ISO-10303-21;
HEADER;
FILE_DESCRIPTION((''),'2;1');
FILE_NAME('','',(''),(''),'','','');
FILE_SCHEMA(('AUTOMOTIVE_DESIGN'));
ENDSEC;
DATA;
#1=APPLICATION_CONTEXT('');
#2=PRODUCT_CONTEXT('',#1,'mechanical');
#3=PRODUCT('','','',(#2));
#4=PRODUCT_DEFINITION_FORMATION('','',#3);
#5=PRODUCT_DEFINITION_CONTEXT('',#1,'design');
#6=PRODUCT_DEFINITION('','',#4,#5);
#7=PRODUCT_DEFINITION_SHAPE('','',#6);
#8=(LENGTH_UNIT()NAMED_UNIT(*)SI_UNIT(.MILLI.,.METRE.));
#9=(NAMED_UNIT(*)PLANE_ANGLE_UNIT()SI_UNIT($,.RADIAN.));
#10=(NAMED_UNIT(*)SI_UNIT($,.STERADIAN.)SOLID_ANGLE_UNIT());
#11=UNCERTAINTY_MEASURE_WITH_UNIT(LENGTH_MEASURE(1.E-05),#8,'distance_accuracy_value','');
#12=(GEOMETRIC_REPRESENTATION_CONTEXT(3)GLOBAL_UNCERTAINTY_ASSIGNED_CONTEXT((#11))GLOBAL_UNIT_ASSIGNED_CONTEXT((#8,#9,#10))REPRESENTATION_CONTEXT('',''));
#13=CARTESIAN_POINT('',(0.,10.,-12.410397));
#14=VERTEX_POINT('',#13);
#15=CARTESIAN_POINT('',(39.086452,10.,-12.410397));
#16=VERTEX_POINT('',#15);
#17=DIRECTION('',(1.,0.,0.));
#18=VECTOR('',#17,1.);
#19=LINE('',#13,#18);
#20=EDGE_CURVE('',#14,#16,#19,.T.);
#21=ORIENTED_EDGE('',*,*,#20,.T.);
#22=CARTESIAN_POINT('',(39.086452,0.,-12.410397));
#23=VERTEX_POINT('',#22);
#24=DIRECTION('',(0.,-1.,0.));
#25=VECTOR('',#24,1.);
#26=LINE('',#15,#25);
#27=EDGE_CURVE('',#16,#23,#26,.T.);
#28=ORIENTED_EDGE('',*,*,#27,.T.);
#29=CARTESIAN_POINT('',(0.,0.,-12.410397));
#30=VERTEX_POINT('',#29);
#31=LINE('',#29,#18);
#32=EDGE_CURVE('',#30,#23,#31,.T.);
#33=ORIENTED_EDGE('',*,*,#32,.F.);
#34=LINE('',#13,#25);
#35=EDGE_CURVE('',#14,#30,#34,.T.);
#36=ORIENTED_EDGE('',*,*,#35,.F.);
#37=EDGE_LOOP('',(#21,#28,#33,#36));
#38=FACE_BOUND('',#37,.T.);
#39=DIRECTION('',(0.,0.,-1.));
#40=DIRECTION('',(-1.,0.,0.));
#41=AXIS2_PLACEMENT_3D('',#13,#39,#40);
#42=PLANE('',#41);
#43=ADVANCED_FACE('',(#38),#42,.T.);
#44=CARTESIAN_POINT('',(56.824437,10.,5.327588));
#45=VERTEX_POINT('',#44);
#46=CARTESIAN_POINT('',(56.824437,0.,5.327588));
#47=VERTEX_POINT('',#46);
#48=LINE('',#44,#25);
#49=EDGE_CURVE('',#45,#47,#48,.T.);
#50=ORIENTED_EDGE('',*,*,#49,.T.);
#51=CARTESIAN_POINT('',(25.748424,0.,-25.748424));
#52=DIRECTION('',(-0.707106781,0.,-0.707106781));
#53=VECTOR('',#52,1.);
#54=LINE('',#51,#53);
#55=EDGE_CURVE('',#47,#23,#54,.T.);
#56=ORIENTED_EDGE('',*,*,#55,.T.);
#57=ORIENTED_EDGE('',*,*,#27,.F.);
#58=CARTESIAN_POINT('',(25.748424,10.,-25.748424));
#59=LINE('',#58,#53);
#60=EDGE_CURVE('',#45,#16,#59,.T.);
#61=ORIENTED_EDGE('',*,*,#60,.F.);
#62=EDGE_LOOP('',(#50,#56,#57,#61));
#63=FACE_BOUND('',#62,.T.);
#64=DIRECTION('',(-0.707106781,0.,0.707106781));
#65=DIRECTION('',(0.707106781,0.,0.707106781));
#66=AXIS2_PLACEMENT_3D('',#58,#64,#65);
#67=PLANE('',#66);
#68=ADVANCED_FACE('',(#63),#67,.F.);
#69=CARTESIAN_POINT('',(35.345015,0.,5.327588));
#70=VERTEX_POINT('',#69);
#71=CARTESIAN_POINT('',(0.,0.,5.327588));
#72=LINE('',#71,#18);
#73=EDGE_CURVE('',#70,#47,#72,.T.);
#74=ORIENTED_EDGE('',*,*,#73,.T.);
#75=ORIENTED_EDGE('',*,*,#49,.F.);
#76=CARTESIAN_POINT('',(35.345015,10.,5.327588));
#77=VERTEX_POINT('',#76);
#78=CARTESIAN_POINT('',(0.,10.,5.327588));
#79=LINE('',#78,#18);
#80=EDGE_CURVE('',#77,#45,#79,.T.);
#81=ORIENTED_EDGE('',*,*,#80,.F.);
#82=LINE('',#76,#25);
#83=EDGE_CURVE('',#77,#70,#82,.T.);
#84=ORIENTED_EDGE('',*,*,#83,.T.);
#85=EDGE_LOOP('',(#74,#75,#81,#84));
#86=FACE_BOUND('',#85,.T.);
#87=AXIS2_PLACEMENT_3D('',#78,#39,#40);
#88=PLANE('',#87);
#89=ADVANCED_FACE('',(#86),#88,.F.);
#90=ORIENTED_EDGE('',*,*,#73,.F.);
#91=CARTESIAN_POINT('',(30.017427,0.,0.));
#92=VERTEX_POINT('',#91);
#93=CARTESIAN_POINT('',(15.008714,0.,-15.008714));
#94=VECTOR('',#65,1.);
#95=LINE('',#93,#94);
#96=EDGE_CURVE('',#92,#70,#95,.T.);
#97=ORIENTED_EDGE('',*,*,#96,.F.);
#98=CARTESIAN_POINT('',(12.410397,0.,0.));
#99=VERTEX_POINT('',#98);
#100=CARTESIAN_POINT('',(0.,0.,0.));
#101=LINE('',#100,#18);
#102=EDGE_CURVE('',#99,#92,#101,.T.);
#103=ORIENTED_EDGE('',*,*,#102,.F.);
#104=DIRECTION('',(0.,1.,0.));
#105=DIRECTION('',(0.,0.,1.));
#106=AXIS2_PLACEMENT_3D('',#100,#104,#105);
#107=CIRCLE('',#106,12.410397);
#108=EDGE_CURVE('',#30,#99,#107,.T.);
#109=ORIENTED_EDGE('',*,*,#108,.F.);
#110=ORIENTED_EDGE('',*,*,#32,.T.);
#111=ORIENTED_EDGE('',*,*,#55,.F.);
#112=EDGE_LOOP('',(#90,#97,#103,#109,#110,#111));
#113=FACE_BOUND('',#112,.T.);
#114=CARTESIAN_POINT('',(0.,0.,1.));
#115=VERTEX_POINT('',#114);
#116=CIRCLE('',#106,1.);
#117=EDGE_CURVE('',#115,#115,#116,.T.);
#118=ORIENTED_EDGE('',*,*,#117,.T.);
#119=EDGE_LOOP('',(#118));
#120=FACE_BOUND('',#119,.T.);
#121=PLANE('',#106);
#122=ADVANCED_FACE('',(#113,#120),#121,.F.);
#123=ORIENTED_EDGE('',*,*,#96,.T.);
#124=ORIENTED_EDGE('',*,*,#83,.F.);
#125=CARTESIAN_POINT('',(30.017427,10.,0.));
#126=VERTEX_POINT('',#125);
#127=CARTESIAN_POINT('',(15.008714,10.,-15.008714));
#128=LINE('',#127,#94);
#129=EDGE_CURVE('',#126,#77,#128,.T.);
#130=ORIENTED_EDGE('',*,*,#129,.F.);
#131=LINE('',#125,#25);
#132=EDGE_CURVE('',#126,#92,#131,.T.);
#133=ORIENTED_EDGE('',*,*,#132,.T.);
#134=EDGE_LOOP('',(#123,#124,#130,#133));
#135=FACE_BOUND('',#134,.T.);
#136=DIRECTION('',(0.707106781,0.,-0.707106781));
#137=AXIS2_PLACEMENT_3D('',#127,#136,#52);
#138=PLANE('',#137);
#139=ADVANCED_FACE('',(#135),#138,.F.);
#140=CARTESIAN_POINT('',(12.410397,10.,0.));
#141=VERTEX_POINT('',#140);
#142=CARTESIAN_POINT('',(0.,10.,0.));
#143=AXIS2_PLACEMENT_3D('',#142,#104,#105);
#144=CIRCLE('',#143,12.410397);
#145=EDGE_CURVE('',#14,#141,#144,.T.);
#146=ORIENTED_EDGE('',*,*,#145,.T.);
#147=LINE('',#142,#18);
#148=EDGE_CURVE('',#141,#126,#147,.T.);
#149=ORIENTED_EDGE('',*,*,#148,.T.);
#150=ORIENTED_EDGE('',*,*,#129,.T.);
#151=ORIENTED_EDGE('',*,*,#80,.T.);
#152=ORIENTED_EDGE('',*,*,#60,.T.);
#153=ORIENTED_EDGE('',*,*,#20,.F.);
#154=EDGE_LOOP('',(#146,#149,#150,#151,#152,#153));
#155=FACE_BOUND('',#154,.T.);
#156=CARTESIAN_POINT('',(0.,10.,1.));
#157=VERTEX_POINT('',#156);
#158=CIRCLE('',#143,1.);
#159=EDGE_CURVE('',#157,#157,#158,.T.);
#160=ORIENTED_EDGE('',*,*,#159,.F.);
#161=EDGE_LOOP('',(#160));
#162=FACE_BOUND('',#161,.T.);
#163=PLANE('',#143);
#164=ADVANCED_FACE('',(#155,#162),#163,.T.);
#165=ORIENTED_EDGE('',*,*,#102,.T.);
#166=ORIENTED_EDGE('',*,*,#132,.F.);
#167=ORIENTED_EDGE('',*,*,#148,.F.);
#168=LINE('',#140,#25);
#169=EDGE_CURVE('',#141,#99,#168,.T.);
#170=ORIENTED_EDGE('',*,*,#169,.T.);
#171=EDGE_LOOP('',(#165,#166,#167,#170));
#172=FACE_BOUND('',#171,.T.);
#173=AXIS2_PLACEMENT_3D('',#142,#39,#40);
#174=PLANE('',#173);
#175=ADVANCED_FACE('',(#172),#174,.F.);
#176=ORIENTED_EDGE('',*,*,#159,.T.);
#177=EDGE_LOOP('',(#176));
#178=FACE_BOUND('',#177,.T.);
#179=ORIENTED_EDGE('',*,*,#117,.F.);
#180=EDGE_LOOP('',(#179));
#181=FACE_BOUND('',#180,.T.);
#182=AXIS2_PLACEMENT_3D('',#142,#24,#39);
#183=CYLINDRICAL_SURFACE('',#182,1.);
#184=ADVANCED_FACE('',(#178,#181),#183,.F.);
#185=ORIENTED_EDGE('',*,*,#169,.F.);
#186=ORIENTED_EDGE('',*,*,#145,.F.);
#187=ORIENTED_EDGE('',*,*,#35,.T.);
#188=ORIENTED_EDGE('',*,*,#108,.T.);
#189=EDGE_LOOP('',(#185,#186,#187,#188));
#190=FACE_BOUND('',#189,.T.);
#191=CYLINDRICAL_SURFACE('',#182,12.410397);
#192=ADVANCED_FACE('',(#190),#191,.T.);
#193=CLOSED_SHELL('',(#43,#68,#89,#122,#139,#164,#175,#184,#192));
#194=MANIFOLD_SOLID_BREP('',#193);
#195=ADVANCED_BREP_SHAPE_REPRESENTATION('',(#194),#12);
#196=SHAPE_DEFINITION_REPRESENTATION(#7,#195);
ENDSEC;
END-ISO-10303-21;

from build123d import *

# Parameters (mm, degrees)
BOSS_EXTRUDE2_DEPTH = 10


with BuildPart() as part:
    # Sketch1 → Boss-Extrude2 (new body)
    with BuildSketch(Plane(origin=(0, 0, 0), x_dir=(1, 0, 0), z_dir=(0, 1, 0))):
        with BuildLine():
            ThreePointArc((12.410397071, 0), (8.775475926, 8.775475926), (0, 12.410397071))
            Line((0, 12.410397071), (0, 1))
            ThreePointArc((0, 1), (0.707106781, 0.707106781), (1, 0))
            Line((1, 0), (12.410397071, 0))
        make_face()
        with BuildLine():
            Line((0, 1), (0, 12.410397071))
            ThreePointArc((0, 12.410397071), (-8.775475926, -8.775475926), (12.410397071, 0))
            Line((12.410397071, 0), (1, 0))
            ThreePointArc((1, 0), (-0.707106781, -0.707106781), (0, 1))
        make_face()
        with BuildLine():
            Line((30.017427339, 12.410397071), (0, 12.410397071))
            ThreePointArc((0, 12.410397071), (8.775475926, 8.775475926), (12.410397071, 0))
            Line((12.410397071, 0), (30.017427339, 0))
            Line((30.017427339, 0), (30.017427339, 12.410397071))
        make_face()
        Polygon((30.017427339, 0), (30.017427339, 12.410397071), (39.086451676, 12.410397071), (56.824436842, -5.327588094), (35.345015433, -5.327588094), align=None)
    extrude(amount=BOSS_EXTRUDE2_DEPTH)


solid = part.part
